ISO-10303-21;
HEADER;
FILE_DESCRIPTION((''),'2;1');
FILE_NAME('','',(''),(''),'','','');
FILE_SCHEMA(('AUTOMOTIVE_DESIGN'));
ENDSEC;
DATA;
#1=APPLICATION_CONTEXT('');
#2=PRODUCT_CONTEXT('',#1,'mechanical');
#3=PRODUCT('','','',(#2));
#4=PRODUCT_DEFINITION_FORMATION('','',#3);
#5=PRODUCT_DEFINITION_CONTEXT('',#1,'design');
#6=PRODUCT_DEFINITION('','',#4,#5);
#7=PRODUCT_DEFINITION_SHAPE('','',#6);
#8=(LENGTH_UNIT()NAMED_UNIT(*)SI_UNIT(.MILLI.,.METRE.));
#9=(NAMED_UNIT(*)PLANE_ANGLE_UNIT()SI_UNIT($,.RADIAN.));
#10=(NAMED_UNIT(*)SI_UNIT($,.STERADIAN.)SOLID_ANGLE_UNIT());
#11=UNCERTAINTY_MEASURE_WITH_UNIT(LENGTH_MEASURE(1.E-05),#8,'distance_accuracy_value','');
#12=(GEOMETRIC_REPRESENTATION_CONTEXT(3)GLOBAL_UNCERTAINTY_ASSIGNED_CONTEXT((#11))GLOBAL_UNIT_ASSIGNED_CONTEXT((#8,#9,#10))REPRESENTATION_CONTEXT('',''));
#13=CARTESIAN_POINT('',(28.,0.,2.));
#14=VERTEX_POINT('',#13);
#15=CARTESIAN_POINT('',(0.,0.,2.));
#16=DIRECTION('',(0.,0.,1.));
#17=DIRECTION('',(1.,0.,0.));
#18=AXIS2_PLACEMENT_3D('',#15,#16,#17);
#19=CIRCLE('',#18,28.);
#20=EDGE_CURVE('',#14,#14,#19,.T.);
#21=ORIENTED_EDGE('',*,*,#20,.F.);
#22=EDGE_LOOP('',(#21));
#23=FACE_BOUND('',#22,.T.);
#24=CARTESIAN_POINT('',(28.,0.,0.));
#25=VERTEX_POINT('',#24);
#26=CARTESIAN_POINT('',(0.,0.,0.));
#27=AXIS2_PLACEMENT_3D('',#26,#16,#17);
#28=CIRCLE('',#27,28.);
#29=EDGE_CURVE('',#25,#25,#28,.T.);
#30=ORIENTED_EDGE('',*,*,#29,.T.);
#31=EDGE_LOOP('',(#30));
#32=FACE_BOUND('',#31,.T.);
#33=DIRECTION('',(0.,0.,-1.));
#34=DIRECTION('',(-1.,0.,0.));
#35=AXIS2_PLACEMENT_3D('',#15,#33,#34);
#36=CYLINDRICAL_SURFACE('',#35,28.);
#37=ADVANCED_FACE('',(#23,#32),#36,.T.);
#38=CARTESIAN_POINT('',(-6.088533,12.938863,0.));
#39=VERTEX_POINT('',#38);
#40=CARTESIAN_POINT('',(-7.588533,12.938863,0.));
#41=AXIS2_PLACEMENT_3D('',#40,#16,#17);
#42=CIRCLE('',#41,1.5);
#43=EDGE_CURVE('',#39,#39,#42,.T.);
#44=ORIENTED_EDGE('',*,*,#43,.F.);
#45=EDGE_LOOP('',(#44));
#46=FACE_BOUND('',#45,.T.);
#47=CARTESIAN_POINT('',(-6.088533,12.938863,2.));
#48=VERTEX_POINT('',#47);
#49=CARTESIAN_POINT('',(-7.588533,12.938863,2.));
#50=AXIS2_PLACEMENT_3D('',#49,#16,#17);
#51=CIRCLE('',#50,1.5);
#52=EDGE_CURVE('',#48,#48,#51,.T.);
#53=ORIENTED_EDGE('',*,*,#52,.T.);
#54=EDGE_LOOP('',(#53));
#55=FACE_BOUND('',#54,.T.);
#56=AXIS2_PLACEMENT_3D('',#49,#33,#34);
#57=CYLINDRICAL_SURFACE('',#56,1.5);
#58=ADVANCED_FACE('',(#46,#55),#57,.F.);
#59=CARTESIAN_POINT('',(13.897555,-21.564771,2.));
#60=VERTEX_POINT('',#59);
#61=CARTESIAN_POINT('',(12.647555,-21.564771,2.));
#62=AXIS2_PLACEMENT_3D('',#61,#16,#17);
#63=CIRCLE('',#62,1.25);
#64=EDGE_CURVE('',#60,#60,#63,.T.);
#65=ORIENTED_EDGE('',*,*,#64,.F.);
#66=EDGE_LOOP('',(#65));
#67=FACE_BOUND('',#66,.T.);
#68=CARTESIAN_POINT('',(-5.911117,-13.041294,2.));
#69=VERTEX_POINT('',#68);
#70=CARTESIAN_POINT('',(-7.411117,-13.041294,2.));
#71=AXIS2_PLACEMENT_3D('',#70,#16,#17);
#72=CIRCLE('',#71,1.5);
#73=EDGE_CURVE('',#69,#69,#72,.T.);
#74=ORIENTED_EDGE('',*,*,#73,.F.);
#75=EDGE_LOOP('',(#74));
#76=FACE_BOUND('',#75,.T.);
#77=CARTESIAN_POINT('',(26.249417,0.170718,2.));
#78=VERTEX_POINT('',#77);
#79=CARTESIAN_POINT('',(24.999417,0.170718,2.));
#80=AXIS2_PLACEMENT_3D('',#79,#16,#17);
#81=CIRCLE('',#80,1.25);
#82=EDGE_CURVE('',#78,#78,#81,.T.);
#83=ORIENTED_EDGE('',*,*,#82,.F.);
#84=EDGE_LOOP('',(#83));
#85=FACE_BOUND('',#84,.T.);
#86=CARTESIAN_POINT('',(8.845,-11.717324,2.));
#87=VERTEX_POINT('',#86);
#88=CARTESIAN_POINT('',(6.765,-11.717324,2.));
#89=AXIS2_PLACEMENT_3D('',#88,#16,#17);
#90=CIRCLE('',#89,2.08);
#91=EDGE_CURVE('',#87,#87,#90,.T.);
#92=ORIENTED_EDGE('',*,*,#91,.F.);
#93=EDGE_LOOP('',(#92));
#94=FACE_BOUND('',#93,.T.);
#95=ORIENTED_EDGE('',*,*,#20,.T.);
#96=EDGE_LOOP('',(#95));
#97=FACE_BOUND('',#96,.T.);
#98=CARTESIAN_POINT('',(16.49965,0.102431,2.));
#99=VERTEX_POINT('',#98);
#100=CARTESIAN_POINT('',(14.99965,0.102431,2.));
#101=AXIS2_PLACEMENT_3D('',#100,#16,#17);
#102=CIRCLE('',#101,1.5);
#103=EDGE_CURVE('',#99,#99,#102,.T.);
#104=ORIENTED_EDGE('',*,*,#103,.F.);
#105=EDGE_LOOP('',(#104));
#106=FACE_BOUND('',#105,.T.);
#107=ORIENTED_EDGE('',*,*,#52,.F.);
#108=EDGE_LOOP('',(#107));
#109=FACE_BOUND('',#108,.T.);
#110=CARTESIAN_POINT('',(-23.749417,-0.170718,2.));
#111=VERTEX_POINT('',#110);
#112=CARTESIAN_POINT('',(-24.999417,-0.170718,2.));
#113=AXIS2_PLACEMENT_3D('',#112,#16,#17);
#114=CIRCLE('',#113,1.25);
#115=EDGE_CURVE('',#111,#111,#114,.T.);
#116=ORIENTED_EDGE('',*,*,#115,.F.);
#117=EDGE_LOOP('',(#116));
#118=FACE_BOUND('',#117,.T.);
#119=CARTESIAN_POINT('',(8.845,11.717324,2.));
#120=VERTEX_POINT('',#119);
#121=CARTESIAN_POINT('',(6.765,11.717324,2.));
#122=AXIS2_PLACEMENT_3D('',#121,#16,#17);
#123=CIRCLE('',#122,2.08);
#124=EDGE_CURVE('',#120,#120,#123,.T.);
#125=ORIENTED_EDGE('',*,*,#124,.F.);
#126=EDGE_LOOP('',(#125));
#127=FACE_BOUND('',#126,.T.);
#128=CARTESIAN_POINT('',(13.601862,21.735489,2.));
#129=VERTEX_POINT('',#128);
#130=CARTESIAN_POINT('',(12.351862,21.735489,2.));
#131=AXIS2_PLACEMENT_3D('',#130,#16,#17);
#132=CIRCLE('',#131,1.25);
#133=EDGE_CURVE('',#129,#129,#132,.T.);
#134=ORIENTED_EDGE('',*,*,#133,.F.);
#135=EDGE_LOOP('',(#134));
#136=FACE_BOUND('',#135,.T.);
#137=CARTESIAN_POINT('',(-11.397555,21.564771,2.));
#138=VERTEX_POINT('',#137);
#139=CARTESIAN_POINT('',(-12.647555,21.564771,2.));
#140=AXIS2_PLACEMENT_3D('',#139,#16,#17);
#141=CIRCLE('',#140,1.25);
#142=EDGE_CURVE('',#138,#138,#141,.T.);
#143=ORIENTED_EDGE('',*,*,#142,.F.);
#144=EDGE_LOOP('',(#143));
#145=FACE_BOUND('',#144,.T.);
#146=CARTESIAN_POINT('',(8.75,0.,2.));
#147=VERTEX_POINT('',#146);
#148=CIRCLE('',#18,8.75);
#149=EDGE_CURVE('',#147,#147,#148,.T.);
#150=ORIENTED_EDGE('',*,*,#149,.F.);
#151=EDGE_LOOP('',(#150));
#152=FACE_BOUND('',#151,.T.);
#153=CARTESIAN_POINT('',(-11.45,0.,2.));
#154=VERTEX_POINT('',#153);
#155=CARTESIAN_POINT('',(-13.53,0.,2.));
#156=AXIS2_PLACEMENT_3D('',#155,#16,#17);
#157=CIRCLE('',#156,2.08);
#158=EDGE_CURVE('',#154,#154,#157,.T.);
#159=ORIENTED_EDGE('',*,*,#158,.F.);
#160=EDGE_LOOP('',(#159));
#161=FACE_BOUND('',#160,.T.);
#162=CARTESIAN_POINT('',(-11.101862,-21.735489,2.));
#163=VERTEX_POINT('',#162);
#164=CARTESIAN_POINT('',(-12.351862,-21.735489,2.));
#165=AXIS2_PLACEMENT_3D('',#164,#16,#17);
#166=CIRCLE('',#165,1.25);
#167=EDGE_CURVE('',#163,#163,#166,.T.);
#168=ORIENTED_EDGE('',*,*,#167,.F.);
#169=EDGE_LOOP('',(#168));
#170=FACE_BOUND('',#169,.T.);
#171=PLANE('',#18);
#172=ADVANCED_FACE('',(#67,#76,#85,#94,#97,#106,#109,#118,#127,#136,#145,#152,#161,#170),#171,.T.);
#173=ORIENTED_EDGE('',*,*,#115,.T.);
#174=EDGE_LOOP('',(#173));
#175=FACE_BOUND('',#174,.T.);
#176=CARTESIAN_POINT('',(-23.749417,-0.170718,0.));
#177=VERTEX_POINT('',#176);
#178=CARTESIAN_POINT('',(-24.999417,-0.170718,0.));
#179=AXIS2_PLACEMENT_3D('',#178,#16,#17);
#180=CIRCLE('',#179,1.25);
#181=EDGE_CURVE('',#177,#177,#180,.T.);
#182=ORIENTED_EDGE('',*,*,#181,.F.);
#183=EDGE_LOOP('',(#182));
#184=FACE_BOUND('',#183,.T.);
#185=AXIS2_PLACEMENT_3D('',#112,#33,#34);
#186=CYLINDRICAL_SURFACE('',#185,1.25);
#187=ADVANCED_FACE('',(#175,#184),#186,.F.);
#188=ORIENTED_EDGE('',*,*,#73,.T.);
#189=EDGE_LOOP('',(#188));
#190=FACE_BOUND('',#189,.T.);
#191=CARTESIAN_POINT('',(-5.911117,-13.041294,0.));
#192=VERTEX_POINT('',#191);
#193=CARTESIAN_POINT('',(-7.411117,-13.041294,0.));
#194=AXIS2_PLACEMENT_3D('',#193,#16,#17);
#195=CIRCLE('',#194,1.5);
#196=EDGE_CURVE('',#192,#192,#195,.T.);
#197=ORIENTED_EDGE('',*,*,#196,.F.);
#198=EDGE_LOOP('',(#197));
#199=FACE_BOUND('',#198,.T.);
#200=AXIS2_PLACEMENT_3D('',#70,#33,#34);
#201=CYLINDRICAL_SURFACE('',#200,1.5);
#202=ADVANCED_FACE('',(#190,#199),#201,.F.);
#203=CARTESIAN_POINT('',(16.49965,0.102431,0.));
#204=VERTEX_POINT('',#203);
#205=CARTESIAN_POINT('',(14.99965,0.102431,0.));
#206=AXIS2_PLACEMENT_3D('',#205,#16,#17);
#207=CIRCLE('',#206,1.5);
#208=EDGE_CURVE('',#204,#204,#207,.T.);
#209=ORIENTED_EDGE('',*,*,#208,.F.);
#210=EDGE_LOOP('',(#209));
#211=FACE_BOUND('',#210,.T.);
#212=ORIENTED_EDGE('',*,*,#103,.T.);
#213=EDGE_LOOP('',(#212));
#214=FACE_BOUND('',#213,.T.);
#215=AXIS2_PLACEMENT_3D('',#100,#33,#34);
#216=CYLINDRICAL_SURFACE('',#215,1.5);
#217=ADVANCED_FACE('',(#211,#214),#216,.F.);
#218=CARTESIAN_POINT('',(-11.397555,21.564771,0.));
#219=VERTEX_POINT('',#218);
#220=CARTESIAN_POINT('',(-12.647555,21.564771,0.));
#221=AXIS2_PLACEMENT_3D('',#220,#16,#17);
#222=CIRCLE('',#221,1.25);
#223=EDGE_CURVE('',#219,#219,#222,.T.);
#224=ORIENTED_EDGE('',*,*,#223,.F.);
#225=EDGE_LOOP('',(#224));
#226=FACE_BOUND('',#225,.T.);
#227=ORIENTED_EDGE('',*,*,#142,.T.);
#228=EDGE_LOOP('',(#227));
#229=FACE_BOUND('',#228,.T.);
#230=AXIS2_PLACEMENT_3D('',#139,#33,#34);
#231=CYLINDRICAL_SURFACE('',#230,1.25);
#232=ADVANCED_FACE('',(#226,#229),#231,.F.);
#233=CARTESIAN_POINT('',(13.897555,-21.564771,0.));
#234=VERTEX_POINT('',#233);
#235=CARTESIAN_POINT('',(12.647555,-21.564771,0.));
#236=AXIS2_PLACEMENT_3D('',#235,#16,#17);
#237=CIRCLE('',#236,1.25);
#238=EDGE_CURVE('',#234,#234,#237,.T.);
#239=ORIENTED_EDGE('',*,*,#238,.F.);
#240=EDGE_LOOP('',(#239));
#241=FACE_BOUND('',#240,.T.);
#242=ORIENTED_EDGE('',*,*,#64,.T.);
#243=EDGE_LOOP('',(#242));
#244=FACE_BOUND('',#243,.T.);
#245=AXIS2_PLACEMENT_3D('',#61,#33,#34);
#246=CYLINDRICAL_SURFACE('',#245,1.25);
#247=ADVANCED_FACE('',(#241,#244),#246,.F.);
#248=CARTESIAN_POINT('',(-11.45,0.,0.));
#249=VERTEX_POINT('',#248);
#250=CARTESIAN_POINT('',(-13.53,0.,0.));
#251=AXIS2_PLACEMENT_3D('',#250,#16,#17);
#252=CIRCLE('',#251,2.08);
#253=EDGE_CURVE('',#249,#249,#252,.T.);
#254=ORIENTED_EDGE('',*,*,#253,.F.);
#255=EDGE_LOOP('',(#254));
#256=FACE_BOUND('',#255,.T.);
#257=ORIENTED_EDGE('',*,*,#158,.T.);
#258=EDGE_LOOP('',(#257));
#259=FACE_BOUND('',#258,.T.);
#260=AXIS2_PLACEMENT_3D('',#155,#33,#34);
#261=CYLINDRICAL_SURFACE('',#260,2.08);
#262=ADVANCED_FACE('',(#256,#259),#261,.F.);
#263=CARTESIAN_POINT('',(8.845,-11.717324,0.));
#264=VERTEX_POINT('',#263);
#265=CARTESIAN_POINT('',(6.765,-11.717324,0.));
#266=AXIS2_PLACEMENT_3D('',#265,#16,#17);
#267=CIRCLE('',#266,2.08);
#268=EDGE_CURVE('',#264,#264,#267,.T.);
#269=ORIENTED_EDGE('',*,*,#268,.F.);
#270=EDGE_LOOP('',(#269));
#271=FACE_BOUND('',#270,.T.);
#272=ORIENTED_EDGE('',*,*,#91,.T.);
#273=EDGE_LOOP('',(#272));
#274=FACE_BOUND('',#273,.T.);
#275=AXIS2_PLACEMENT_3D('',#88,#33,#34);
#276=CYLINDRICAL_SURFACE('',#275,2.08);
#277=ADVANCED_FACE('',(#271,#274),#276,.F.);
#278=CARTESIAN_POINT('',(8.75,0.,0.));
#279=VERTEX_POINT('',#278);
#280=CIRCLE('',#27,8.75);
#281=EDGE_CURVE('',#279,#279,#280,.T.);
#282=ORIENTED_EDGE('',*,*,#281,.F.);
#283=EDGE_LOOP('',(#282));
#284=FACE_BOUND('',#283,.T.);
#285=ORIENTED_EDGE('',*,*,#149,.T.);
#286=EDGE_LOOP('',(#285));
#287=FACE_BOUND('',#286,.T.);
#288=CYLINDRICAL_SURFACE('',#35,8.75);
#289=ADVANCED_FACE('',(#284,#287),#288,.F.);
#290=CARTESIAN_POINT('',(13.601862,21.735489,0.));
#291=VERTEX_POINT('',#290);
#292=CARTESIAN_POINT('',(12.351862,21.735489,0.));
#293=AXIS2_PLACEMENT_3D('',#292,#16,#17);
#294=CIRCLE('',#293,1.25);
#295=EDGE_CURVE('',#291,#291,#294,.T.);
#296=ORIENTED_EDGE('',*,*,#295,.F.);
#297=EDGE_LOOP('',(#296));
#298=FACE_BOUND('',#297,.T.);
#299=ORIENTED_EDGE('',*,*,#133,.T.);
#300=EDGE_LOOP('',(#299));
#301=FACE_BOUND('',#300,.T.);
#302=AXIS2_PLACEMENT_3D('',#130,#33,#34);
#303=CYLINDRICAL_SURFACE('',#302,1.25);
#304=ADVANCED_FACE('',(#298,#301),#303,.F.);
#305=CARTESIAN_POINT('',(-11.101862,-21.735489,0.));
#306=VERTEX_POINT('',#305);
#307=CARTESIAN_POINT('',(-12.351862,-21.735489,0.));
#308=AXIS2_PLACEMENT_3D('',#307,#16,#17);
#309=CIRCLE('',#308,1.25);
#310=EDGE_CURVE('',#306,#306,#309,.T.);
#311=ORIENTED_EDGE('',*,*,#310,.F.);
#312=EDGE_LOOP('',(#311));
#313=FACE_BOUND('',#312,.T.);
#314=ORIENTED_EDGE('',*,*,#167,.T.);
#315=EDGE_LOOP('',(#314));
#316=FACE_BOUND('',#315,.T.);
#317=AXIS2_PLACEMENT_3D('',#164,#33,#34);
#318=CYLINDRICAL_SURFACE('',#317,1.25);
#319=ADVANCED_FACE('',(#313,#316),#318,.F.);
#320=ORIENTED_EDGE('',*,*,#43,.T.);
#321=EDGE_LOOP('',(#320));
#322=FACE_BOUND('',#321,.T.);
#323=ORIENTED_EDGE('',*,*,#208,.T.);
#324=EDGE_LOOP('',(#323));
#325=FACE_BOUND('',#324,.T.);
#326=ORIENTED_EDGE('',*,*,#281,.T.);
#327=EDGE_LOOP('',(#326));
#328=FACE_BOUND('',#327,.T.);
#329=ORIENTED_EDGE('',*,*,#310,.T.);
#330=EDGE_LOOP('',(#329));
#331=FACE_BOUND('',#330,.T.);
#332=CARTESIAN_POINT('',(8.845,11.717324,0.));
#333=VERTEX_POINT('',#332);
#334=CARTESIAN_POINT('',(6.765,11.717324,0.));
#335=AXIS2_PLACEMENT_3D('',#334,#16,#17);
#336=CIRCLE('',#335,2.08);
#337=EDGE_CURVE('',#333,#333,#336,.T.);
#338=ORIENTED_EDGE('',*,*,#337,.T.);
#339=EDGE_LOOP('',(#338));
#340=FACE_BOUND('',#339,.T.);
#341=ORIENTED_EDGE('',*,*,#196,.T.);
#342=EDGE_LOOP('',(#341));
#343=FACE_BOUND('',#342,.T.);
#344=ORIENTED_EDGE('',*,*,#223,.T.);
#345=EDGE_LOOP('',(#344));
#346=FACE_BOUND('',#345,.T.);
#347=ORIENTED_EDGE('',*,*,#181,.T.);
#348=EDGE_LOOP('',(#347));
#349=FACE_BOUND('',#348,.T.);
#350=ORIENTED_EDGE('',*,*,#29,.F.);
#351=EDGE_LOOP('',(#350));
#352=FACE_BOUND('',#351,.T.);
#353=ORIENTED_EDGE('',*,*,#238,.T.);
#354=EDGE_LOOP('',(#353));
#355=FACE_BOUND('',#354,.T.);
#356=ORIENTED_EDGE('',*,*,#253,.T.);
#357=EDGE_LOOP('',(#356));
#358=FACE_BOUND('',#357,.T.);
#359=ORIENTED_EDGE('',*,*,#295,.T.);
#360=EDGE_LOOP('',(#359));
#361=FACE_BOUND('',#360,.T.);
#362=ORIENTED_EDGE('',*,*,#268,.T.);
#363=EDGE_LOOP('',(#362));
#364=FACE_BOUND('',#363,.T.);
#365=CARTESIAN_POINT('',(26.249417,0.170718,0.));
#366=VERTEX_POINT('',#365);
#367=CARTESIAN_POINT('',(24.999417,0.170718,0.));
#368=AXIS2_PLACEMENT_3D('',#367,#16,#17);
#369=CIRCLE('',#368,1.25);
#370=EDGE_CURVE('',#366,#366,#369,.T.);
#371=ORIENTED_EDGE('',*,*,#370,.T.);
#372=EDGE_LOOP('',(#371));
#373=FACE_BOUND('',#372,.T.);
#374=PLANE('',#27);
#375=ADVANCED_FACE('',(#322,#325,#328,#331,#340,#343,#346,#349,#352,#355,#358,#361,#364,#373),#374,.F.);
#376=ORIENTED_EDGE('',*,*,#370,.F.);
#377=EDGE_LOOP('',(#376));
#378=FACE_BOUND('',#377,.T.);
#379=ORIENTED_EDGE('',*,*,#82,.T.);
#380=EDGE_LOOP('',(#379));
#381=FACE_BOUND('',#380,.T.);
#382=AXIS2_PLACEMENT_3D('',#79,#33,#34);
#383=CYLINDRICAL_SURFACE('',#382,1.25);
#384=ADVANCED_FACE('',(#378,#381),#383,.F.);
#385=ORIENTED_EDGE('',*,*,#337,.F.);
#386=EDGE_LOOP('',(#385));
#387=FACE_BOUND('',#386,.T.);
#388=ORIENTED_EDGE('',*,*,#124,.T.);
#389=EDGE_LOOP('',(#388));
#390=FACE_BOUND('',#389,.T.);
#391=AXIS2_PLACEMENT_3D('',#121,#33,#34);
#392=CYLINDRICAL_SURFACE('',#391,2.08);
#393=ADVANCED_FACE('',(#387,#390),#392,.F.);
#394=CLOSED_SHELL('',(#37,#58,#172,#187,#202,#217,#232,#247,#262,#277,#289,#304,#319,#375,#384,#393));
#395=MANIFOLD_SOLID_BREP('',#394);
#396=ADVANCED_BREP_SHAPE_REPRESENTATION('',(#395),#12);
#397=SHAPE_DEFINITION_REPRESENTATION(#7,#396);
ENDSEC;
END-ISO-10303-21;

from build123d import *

# Parameters (mm, degrees)
SKETCH_1_R      = 28
SKETCH_1_R_2    = 2.08
SKETCH_1_R_3    = 8.75
SKETCH_1_R_4    = 1.25
SKETCH_1_R_5    = 1.5
EXTRUDE_1_DEPTH = 2


with BuildPart() as part:
    # 草图1 → 凸台-拉伸1 (new body)
    with BuildSketch(Plane.XY):
        Circle(SKETCH_1_R)
        with Locations((-13.53, 0)):
            Circle(SKETCH_1_R_2, mode=Mode.SUBTRACT)
        with Locations((6.765, 11.717323713)):
            Circle(SKETCH_1_R_2, mode=Mode.SUBTRACT)
        with Locations((6.765, -11.717323713)):
            Circle(SKETCH_1_R_2, mode=Mode.SUBTRACT)
        Circle(SKETCH_1_R_3, mode=Mode.SUBTRACT)
        with Locations((12.351862398, 21.735489304)):
            Circle(SKETCH_1_R_4, mode=Mode.SUBTRACT)
        with Locations((24.9994171, 0.170718032)):
            Circle(SKETCH_1_R_4, mode=Mode.SUBTRACT)
        with Locations((12.647554702, -21.564771273)):
            Circle(SKETCH_1_R_4, mode=Mode.SUBTRACT)
        with Locations((-12.351862398, -21.735489304)):
            Circle(SKETCH_1_R_4, mode=Mode.SUBTRACT)
        with Locations((-24.9994171, -0.170718032)):
            Circle(SKETCH_1_R_4, mode=Mode.SUBTRACT)
        with Locations((-12.647554702, 21.564771273)):
            Circle(SKETCH_1_R_4, mode=Mode.SUBTRACT)
        with Locations((-7.411117439, -13.041293583)):
            Circle(SKETCH_1_R_5, mode=Mode.SUBTRACT)
        with Locations((-7.588532821, 12.938862764)):
            Circle(SKETCH_1_R_5, mode=Mode.SUBTRACT)
        with Locations((14.99965026, 0.102430819)):
            Circle(SKETCH_1_R_5, mode=Mode.SUBTRACT)
    extrude(amount=EXTRUDE_1_DEPTH)


solid = part.part
